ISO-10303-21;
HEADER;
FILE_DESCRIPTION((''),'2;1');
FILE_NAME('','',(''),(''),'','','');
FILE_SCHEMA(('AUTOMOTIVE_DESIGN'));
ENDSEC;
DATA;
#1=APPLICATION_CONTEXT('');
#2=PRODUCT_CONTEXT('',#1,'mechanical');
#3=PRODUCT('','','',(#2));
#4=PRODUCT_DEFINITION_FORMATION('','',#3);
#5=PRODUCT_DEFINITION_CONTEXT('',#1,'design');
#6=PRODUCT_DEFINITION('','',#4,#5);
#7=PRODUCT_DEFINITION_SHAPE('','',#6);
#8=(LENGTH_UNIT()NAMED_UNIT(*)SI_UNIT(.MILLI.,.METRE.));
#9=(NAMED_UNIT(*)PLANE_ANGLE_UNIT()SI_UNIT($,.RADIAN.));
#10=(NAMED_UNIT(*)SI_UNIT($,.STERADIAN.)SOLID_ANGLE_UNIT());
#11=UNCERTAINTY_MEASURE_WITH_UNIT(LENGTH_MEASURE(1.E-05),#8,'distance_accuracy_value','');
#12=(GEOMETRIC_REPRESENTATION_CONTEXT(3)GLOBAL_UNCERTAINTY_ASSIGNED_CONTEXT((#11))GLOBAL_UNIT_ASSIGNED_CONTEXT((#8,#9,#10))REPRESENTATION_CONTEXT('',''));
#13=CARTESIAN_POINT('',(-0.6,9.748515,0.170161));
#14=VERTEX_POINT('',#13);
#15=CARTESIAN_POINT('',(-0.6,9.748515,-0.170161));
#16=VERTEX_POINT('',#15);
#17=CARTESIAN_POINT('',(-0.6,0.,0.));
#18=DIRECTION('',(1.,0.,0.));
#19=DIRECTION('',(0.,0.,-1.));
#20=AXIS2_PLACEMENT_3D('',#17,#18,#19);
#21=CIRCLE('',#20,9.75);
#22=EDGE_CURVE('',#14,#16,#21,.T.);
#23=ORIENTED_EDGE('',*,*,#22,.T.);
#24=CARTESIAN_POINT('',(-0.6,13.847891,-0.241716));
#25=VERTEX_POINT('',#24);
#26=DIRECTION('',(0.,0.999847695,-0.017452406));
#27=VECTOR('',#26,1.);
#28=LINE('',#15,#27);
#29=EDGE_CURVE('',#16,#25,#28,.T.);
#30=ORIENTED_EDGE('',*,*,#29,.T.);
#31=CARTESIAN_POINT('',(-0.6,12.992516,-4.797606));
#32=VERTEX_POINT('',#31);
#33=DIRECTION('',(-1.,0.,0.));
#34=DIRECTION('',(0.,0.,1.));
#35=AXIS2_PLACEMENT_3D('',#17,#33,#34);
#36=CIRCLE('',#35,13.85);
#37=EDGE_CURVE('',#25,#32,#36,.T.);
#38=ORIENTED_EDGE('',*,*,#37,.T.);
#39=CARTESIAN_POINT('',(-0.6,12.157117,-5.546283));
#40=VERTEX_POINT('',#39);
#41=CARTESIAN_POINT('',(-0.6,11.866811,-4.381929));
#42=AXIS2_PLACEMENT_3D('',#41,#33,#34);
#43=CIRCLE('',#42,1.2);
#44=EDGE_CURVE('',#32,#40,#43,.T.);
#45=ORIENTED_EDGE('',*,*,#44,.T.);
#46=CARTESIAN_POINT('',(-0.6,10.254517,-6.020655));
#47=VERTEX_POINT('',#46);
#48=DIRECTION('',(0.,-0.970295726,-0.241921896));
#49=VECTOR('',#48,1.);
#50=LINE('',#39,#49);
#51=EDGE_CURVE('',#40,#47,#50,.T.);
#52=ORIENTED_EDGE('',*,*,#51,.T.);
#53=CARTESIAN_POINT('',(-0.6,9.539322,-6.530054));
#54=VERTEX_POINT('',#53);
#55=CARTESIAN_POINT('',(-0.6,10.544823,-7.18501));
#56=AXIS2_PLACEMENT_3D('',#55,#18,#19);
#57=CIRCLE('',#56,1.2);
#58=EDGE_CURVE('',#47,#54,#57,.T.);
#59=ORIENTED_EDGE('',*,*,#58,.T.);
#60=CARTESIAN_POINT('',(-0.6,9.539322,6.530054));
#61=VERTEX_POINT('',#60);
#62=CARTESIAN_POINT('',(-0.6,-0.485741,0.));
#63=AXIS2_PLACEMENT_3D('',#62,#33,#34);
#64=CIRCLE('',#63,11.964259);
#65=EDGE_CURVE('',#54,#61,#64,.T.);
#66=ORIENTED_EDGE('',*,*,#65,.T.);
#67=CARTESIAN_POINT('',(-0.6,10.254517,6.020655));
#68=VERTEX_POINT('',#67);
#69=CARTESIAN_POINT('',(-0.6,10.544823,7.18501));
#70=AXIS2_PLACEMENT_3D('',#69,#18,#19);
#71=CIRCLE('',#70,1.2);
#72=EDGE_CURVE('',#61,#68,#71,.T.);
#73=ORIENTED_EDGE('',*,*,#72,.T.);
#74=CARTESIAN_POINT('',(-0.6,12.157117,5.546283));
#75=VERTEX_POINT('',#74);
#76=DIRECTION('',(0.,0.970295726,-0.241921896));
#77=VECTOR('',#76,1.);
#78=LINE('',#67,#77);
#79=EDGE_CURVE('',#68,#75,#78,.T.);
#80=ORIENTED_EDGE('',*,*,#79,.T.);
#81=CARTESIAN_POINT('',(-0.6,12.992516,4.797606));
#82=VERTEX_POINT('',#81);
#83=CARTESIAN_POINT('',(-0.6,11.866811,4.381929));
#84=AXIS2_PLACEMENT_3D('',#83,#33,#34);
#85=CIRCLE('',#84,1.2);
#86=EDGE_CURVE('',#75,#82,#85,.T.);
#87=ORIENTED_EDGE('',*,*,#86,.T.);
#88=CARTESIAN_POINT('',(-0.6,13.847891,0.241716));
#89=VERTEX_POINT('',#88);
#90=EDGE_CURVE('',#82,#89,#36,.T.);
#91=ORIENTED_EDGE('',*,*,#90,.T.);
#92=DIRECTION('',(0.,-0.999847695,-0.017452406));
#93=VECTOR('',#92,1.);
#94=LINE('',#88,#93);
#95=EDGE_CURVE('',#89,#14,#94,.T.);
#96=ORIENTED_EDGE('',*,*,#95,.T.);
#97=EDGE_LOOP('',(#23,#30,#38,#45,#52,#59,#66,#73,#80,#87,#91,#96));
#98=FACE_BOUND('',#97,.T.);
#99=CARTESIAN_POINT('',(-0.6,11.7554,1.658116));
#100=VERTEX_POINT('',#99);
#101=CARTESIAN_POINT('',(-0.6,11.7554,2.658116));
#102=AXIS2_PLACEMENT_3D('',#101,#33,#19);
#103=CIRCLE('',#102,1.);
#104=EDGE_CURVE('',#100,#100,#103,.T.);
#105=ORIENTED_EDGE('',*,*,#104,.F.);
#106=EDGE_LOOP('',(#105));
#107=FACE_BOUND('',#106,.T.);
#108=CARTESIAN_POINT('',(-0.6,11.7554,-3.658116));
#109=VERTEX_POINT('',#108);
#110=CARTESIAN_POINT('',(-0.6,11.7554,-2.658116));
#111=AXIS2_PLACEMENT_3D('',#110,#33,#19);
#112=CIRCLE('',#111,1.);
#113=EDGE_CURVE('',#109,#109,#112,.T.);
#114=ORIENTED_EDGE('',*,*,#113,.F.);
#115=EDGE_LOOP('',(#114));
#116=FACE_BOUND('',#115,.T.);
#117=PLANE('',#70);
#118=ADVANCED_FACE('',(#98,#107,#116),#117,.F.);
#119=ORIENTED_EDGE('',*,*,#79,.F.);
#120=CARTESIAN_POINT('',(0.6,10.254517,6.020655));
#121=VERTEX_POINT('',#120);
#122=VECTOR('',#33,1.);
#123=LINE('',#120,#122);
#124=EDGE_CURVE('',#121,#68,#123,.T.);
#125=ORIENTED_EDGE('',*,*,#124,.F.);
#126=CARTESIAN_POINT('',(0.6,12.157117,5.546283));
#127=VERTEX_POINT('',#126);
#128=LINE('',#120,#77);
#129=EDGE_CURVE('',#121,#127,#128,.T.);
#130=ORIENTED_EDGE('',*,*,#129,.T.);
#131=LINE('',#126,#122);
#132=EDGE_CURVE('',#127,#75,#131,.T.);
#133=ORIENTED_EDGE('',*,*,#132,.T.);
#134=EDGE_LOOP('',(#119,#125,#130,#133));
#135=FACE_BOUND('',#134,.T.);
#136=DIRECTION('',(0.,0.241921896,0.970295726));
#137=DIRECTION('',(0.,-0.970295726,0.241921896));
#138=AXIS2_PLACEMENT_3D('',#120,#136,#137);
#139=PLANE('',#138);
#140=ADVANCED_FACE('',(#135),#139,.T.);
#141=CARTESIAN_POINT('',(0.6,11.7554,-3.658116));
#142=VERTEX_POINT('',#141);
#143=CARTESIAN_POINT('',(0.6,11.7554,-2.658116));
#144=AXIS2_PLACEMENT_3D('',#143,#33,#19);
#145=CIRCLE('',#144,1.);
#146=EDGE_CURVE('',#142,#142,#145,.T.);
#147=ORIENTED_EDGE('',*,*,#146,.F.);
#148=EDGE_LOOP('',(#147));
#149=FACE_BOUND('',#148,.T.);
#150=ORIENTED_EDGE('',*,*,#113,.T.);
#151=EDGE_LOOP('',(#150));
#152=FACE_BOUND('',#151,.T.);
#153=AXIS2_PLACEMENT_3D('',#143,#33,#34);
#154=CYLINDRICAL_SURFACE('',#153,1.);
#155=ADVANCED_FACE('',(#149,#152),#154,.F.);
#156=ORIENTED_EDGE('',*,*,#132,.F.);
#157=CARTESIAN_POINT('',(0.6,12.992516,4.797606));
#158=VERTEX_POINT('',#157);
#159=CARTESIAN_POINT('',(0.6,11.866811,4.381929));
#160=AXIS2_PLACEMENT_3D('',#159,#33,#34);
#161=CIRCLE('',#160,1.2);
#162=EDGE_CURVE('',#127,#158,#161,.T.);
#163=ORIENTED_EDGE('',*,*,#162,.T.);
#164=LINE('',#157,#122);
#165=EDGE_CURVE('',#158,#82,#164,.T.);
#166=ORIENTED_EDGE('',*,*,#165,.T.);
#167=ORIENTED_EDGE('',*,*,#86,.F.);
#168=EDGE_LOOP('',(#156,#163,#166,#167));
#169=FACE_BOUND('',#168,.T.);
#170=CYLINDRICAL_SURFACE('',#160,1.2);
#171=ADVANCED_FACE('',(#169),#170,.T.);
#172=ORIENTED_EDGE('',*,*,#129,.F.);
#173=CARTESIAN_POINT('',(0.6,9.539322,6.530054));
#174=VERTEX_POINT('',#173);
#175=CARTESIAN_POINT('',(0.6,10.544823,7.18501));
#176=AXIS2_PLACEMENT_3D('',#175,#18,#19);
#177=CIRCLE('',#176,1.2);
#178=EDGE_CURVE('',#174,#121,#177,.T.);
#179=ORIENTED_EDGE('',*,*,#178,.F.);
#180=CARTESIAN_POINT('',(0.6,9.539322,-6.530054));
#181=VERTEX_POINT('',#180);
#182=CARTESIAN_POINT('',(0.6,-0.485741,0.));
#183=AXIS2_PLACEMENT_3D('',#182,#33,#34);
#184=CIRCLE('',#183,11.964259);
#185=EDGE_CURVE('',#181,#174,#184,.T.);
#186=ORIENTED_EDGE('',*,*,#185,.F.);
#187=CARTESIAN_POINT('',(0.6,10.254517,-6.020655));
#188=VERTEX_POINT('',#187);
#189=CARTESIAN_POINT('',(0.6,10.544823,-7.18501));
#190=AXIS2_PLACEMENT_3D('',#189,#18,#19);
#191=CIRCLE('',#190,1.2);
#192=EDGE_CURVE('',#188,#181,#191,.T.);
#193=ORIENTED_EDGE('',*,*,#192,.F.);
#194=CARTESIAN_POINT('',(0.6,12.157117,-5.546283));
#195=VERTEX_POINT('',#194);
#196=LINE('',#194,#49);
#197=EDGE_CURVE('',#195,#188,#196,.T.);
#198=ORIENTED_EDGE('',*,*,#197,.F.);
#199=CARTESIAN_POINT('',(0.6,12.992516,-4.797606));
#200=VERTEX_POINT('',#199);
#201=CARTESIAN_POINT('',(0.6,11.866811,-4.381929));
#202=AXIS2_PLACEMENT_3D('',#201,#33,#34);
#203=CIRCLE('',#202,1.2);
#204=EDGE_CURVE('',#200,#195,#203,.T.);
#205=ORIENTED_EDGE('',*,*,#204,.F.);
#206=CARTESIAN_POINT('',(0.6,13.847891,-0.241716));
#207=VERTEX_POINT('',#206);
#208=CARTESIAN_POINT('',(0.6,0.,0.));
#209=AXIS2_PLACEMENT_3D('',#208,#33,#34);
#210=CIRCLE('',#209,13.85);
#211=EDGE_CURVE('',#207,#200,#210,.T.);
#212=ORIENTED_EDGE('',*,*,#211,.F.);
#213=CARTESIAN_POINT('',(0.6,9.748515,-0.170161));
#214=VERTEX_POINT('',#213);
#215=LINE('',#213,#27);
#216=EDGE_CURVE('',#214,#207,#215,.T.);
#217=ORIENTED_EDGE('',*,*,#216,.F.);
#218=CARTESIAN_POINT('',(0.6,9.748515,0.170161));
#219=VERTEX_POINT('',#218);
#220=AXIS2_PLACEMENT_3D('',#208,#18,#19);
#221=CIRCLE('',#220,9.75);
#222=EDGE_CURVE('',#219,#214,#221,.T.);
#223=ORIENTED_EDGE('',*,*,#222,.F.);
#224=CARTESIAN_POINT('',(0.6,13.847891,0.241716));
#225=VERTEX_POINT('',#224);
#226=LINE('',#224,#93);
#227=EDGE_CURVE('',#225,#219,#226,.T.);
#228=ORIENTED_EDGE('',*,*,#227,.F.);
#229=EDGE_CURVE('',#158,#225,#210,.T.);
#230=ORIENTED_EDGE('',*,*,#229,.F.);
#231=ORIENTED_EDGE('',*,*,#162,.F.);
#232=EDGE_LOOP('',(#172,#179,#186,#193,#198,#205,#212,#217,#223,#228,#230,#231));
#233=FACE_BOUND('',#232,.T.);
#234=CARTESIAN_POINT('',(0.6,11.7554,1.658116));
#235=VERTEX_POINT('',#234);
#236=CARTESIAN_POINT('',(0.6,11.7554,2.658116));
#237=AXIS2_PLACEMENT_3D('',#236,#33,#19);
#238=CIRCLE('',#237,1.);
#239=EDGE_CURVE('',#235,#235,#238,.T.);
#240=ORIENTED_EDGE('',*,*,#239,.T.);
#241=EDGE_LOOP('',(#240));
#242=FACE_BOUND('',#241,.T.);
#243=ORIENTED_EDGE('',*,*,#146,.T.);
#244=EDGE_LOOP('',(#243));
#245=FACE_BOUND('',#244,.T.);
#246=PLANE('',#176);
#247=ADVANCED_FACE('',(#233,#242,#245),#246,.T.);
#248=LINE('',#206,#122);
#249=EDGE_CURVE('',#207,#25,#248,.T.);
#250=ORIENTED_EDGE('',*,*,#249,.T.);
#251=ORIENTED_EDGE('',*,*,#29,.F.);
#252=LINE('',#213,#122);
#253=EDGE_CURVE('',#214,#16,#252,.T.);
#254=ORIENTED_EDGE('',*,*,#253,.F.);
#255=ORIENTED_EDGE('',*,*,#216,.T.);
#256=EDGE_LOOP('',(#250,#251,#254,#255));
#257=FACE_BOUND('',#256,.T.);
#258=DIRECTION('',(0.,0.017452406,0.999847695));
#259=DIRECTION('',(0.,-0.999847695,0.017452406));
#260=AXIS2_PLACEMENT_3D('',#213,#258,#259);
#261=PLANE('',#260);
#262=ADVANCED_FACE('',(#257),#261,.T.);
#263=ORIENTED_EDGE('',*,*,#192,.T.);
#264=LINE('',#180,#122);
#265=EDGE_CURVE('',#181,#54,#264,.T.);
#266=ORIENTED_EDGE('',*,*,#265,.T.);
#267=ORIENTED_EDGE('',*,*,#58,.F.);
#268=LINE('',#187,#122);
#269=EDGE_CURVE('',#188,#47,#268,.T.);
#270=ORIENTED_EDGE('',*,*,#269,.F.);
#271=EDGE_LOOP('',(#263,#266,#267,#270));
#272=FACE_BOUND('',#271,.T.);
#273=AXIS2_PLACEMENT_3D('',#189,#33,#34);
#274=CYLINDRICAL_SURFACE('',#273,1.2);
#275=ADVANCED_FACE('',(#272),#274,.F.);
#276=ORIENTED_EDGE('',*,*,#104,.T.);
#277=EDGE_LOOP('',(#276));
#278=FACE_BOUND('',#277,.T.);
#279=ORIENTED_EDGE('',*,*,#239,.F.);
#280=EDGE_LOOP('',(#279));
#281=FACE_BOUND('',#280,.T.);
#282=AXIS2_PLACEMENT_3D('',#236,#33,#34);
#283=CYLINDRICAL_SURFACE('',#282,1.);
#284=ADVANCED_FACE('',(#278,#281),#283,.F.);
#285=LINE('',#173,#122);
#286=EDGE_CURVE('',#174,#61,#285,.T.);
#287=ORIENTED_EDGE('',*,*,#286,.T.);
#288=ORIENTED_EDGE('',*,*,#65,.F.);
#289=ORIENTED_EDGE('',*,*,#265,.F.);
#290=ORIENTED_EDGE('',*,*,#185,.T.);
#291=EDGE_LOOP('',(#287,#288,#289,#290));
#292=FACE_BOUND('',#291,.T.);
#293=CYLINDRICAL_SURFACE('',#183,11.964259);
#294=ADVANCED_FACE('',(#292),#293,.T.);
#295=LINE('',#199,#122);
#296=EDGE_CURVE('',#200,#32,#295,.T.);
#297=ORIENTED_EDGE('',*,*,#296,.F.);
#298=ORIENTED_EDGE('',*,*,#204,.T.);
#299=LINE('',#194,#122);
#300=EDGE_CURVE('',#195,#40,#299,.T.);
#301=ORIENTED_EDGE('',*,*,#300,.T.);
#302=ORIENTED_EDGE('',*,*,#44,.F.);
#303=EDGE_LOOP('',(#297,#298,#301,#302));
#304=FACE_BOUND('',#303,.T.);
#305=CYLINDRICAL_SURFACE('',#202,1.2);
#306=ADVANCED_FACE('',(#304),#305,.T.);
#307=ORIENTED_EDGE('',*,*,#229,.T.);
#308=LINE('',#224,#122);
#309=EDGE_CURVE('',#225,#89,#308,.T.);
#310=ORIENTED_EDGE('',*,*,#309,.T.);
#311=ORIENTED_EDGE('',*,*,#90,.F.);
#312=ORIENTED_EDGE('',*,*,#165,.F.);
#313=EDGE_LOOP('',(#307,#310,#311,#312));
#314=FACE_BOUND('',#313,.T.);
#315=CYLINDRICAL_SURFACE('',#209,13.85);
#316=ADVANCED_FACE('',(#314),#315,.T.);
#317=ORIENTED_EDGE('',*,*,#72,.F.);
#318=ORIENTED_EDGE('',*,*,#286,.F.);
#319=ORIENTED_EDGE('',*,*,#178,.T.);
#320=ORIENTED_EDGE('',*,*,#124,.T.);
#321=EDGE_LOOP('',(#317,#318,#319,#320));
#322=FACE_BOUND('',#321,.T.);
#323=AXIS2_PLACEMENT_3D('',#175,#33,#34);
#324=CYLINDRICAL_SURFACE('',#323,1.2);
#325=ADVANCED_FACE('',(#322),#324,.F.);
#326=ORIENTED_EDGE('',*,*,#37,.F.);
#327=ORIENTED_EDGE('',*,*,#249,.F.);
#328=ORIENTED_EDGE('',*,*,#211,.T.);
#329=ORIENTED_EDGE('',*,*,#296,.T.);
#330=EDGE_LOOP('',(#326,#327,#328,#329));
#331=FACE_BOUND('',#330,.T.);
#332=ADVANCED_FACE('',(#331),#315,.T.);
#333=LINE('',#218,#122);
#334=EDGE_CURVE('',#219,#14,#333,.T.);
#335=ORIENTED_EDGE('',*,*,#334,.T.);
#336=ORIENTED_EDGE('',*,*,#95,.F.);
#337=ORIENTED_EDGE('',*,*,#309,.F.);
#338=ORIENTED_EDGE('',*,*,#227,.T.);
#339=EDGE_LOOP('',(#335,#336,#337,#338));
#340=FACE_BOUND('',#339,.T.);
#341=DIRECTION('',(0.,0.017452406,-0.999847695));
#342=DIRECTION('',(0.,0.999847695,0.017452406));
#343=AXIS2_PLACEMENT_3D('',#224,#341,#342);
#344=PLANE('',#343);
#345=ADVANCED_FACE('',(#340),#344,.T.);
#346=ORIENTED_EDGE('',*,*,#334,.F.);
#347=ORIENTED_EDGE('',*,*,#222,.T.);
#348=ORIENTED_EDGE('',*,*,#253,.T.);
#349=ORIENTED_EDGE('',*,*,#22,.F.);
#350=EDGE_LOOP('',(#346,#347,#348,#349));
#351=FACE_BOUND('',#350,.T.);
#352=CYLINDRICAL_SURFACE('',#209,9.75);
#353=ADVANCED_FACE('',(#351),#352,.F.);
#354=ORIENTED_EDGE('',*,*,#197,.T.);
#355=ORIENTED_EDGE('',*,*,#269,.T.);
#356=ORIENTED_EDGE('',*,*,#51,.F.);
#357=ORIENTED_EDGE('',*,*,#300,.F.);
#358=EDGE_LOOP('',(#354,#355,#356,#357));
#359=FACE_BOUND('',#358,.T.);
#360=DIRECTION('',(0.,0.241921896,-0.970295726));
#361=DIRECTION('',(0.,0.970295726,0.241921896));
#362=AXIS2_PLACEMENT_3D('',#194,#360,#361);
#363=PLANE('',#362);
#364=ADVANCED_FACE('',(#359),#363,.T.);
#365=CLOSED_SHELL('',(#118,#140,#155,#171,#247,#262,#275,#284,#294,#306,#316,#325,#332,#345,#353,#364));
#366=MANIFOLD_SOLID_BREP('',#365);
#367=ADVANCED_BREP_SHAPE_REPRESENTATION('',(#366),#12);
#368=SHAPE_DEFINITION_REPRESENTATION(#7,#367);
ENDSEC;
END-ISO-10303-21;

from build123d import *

# Parameters (mm, degrees)
SKETCH1_R           = 1
BOSS_EXTRUDE1_DEPTH = 1.2


with BuildPart() as part:
    # Sketch1 → Boss-Extrude1 (new body)
    with BuildSketch(Plane(origin=(-0.6, 0, 0), x_dir=(0, -1, 0), z_dir=(-1, 0, 0))):
        with BuildLine():
            Line((-10.254517122, 6.020654884), (-12.157117236, 5.546283398))
            ThreePointArc((-12.157117236, 5.546283398), (-12.667686664, 5.275571693), (-12.992516349, 4.797605541))
            ThreePointArc((-12.992516349, 4.797605541), (-13.612159776, 2.555700733), (-13.847890578, 0.241715829))
            Line((-13.847890578, 0.241715829), (-9.748515028, 0.170160963))
            ThreePointArc((-9.748515028, 0.170160963), (9.75, 0), (-9.748515028, -0.170160963))
            Line((-9.748515028, -0.170160963), (-13.847890578, -0.241715829))
            ThreePointArc((-13.847890578, -0.241715829), (-13.612159776, -2.555700733), (-12.992516349, -4.797605541))
            ThreePointArc((-12.992516349, -4.797605541), (-12.667686664, -5.275571693), (-12.157117236, -5.546283398))
            Line((-12.157117236, -5.546283398), (-10.254517122, -6.020654884))
            ThreePointArc((-10.254517122, -6.020654884), (-9.848654609, -6.207590185), (-9.539322273, -6.530053659))
            ThreePointArc((-9.539322273, -6.530053659), (12.45, 0), (-9.539322273, 6.530053659))
            ThreePointArc((-9.539322273, 6.530053659), (-9.848654609, 6.207590185), (-10.254517122, 6.020654884))
        make_face()
        with Locations((-11.755399891, -2.658115574)):
            Circle(SKETCH1_R, mode=Mode.SUBTRACT)
        with Locations((-11.755399891, 2.658115574)):
            Circle(SKETCH1_R, mode=Mode.SUBTRACT)
    extrude(amount=-BOSS_EXTRUDE1_DEPTH)


solid = part.part
